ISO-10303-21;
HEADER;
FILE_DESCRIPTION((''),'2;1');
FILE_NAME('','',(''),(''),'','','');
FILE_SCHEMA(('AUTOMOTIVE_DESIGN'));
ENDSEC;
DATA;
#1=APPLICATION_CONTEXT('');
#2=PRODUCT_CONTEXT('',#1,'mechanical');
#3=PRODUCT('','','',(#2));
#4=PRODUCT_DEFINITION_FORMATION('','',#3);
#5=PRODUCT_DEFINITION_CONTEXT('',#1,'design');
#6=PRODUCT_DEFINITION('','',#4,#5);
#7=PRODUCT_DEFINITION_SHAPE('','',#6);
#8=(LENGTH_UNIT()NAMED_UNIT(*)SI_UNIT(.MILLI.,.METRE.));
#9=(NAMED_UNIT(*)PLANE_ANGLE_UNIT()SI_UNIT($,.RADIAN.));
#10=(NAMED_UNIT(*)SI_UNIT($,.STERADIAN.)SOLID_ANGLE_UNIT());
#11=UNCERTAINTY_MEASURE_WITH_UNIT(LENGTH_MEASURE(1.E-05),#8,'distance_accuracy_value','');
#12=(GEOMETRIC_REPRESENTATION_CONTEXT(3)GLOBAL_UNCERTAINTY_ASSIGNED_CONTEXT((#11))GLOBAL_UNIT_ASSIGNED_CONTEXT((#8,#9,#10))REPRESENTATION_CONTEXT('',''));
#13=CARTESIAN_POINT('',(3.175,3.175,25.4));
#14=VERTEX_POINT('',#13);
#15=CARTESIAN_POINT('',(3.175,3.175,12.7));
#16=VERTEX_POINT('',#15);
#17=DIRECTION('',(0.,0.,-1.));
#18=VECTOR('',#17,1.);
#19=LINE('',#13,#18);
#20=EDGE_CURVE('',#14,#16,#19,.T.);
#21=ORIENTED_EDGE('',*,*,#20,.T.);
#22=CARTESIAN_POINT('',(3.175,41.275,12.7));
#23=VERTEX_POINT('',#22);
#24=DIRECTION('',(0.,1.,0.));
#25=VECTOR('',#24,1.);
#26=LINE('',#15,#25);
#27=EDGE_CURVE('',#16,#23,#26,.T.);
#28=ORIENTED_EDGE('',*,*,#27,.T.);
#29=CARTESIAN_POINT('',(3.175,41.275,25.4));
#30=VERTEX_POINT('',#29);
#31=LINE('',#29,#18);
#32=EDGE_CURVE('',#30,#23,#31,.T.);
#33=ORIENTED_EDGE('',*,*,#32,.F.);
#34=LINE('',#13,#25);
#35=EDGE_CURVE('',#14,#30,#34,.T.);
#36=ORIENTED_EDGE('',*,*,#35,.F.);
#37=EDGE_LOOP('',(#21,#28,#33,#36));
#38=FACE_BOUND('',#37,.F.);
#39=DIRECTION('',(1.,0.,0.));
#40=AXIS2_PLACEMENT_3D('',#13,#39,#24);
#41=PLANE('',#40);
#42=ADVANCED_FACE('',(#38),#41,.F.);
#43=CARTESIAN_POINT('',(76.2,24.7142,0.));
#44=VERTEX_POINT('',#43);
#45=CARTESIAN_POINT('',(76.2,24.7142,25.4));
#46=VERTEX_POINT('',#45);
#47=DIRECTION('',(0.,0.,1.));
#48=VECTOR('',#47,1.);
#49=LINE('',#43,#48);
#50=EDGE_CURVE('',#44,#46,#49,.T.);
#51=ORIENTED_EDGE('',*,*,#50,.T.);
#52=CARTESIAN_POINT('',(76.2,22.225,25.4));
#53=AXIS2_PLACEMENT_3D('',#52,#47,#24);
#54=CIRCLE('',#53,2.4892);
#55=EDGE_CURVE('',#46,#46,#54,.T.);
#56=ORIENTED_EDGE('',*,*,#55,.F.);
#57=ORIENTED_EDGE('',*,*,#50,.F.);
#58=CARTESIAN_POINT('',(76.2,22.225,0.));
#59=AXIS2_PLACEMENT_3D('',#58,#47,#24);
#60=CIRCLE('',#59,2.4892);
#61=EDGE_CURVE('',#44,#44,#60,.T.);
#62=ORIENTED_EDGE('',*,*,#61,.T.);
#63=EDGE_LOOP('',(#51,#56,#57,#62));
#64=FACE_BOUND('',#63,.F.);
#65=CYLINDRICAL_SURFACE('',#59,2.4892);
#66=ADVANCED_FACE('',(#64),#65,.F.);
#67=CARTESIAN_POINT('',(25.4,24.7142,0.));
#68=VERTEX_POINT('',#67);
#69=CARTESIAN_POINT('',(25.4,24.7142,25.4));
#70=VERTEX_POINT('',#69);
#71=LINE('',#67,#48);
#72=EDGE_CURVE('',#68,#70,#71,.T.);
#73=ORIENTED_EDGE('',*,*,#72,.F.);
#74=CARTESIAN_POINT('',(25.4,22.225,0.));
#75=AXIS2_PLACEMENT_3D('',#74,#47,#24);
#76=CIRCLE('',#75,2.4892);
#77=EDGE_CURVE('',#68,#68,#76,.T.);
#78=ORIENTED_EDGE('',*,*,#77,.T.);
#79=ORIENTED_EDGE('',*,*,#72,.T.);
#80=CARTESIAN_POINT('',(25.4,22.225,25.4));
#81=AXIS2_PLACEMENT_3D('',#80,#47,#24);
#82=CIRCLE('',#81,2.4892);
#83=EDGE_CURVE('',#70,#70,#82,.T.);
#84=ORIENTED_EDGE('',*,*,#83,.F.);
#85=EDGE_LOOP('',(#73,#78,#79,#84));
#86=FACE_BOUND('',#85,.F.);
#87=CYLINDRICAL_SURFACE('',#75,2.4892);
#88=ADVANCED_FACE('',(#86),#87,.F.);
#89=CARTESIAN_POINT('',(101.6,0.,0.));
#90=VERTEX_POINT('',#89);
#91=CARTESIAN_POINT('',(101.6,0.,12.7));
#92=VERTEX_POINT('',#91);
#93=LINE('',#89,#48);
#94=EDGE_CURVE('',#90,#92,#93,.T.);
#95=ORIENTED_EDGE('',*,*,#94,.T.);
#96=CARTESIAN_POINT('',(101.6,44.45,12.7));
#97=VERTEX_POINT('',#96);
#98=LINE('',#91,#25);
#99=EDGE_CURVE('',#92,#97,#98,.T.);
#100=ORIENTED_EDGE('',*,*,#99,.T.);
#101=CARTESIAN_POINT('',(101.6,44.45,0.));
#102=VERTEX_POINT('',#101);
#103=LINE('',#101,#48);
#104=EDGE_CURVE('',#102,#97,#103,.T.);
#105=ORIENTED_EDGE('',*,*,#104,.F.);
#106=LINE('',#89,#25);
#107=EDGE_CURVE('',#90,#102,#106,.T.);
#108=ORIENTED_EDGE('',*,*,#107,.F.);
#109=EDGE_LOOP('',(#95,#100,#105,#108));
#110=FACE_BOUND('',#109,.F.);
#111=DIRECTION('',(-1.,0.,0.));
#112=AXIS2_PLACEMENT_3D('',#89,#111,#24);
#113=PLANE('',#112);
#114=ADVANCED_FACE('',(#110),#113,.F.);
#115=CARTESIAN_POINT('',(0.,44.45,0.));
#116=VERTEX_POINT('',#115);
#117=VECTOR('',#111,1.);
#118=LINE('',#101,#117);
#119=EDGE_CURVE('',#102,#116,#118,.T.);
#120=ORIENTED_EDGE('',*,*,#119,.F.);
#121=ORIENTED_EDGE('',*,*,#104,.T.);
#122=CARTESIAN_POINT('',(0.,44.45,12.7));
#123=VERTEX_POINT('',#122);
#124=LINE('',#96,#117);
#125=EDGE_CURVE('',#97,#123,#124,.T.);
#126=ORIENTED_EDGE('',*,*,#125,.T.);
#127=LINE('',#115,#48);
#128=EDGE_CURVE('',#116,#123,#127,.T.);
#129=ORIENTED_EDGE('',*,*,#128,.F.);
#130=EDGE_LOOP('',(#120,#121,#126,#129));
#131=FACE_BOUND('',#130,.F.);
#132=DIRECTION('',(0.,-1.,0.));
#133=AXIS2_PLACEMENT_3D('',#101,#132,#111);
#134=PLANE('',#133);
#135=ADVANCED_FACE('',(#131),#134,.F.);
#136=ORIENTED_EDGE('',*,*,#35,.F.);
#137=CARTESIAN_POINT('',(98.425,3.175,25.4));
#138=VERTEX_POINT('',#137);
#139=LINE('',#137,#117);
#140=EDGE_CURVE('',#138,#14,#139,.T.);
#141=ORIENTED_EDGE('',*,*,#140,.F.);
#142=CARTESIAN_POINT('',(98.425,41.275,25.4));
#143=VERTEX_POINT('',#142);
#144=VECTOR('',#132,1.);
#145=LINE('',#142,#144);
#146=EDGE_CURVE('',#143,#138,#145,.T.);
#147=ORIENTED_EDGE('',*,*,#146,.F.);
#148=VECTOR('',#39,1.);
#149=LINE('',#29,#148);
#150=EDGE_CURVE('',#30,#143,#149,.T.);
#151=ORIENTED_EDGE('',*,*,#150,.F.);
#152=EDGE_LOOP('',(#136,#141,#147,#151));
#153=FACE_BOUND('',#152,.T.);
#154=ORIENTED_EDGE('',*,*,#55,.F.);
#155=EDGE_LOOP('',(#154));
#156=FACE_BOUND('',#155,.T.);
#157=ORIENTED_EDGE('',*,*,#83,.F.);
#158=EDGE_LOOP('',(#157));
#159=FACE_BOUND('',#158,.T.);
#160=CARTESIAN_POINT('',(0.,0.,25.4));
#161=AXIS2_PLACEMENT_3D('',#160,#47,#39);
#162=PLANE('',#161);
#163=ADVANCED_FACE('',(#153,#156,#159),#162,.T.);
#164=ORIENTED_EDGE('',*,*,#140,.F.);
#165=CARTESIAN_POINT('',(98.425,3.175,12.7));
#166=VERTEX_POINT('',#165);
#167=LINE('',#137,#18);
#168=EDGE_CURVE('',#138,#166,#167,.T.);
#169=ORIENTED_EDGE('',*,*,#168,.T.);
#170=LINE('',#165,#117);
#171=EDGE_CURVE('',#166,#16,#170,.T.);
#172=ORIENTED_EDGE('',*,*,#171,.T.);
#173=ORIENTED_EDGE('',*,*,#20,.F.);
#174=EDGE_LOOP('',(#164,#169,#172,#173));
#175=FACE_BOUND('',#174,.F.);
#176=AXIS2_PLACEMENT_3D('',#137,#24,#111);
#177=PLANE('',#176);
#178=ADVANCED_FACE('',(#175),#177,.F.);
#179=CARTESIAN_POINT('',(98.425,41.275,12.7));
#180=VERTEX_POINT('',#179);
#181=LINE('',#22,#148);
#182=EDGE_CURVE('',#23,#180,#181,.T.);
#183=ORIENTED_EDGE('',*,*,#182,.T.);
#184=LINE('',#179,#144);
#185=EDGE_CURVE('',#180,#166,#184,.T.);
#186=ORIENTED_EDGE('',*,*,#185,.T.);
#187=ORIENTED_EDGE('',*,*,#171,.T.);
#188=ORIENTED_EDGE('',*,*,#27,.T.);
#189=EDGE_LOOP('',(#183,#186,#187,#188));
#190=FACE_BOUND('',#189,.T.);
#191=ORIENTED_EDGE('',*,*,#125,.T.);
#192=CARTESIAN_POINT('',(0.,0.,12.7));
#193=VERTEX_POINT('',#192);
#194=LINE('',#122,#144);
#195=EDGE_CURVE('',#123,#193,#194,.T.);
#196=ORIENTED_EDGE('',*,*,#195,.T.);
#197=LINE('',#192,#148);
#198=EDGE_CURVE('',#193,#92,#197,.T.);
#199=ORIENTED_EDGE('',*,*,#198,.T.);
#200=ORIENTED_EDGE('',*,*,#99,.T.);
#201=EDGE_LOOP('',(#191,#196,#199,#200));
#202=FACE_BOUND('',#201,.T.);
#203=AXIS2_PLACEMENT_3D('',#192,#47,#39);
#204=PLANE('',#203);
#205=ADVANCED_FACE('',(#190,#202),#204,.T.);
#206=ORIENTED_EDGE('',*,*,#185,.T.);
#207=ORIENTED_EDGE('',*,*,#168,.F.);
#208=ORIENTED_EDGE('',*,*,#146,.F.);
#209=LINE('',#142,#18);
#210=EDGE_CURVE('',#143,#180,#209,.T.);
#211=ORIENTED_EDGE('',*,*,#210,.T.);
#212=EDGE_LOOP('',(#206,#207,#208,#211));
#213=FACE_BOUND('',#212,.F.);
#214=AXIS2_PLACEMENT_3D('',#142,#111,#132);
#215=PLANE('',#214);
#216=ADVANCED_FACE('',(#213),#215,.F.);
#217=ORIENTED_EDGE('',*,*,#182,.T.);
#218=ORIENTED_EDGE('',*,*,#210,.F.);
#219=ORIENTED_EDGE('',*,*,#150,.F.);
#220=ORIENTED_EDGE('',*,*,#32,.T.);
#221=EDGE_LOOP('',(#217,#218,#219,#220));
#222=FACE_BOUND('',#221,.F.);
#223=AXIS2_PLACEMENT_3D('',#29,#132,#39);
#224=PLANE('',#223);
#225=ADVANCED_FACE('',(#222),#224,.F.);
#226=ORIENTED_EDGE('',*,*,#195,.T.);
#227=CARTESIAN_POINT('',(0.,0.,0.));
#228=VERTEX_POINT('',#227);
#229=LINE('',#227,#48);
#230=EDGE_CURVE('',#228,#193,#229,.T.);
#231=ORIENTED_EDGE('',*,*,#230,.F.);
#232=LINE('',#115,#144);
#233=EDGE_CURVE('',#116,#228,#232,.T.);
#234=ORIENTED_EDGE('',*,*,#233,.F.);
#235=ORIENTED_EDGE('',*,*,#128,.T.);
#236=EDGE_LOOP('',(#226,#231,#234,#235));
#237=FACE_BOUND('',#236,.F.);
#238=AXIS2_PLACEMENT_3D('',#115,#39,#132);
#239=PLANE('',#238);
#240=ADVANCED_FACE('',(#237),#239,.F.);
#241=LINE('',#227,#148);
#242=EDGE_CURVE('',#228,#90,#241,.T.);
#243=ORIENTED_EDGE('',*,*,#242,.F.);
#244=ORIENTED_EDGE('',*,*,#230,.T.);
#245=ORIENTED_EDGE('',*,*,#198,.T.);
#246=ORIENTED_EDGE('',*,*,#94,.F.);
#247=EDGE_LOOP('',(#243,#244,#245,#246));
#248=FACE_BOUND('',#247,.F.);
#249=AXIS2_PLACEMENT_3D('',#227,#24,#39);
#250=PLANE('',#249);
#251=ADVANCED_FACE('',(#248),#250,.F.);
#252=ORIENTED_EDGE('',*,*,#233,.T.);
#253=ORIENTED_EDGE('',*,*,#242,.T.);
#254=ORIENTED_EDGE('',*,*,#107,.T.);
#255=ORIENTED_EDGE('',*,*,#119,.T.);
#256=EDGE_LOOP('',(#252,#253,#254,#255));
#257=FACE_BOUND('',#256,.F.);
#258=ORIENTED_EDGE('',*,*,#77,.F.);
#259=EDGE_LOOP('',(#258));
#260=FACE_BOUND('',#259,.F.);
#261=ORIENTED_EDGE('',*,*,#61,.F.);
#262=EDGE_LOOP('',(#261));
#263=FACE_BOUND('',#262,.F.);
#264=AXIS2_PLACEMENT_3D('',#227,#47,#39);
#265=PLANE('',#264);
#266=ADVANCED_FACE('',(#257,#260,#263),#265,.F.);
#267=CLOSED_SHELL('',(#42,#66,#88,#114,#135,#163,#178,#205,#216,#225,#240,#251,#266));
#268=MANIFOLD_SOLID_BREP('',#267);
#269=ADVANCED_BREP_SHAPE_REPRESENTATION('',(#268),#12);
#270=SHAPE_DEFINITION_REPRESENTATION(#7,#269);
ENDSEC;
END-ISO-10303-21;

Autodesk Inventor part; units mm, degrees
ref_plane "YZ Plane" through (0, 0, 0) normal (1, 0, 0) x (0, 1, 0)
ref_plane "XZ Plane" through (0, 0, 0) normal (0, 1, 0) x (-1, 0, 0)
ref_plane "XY Plane" through (0, 0, 0) normal (0, 0, 1) x (1, 0, 0)
sketch "Sketch1" plane through (0, 0, 0) normal (0, 0, 1) x (1, 0, 0)
  line L0 (0, 0) -> (101.6, 0)
  line L1 (101.6, 0) -> (101.6, 44.45)
  line L2 (101.6, 44.45) -> (0, 44.45)
  line L3 (0, 44.45) -> (0, 0)
  dimension "d0" = 101.6
  dimension "d1" = 44.45
extrude "Extrusion1" add sketch "Sketch1" along normal blind 25.4
sketch "Sketch2" plane through (0, 0, 25.4) normal (0, 0, 1) x (1, 0, 0)
  line L0 (0, 0) -> (101.6, 0) projected
  line L1 (101.6, 0) -> (101.6, 44.45) projected
  line L2 (101.6, 44.45) -> (0, 44.45) projected
  line L3 (0, 44.45) -> (0, 0) projected
  line L4 (3.175, 41.275) -> (98.425, 41.275)
  line L5 (98.425, 41.275) -> (98.425, 3.175)
  line L6 (98.425, 3.175) -> (3.175, 3.175)
  line L7 (3.175, 3.175) -> (3.175, 41.275)
  dimension "d4" = 3.175
extrude "Extrusion2" cut sketch "Sketch2" against normal blind 12.7
sketch "Sketch3" plane through (0, 0, 0) normal (0, 0, -1) x (-1, 0, 0)
  line L0 (0, 44.45) -> (0, 0) projected
  line L1 (-101.6, 44.45) -> (0, 44.45) projected
  line L2 (-101.6, 0) -> (-101.6, 44.45) projected
  point P0 (-76.2, 22.225)
  point P1 (-25.4, 22.225)
  dimension "d7" = 50.8
  dimension "d8" = 25.4
  dimension "d9" = 25.4
  dimension "d10" = 22.225
hole "Hole1" at (76.2, 22.225, 0) at (25.4, 22.225, 0) direction (0, 0, 1) diameter 4.9784 end through all thread size "1/4-20 UNC" class "2B" standard "ANSI Unified Screw Threads"
properties part number "Endcaps"
